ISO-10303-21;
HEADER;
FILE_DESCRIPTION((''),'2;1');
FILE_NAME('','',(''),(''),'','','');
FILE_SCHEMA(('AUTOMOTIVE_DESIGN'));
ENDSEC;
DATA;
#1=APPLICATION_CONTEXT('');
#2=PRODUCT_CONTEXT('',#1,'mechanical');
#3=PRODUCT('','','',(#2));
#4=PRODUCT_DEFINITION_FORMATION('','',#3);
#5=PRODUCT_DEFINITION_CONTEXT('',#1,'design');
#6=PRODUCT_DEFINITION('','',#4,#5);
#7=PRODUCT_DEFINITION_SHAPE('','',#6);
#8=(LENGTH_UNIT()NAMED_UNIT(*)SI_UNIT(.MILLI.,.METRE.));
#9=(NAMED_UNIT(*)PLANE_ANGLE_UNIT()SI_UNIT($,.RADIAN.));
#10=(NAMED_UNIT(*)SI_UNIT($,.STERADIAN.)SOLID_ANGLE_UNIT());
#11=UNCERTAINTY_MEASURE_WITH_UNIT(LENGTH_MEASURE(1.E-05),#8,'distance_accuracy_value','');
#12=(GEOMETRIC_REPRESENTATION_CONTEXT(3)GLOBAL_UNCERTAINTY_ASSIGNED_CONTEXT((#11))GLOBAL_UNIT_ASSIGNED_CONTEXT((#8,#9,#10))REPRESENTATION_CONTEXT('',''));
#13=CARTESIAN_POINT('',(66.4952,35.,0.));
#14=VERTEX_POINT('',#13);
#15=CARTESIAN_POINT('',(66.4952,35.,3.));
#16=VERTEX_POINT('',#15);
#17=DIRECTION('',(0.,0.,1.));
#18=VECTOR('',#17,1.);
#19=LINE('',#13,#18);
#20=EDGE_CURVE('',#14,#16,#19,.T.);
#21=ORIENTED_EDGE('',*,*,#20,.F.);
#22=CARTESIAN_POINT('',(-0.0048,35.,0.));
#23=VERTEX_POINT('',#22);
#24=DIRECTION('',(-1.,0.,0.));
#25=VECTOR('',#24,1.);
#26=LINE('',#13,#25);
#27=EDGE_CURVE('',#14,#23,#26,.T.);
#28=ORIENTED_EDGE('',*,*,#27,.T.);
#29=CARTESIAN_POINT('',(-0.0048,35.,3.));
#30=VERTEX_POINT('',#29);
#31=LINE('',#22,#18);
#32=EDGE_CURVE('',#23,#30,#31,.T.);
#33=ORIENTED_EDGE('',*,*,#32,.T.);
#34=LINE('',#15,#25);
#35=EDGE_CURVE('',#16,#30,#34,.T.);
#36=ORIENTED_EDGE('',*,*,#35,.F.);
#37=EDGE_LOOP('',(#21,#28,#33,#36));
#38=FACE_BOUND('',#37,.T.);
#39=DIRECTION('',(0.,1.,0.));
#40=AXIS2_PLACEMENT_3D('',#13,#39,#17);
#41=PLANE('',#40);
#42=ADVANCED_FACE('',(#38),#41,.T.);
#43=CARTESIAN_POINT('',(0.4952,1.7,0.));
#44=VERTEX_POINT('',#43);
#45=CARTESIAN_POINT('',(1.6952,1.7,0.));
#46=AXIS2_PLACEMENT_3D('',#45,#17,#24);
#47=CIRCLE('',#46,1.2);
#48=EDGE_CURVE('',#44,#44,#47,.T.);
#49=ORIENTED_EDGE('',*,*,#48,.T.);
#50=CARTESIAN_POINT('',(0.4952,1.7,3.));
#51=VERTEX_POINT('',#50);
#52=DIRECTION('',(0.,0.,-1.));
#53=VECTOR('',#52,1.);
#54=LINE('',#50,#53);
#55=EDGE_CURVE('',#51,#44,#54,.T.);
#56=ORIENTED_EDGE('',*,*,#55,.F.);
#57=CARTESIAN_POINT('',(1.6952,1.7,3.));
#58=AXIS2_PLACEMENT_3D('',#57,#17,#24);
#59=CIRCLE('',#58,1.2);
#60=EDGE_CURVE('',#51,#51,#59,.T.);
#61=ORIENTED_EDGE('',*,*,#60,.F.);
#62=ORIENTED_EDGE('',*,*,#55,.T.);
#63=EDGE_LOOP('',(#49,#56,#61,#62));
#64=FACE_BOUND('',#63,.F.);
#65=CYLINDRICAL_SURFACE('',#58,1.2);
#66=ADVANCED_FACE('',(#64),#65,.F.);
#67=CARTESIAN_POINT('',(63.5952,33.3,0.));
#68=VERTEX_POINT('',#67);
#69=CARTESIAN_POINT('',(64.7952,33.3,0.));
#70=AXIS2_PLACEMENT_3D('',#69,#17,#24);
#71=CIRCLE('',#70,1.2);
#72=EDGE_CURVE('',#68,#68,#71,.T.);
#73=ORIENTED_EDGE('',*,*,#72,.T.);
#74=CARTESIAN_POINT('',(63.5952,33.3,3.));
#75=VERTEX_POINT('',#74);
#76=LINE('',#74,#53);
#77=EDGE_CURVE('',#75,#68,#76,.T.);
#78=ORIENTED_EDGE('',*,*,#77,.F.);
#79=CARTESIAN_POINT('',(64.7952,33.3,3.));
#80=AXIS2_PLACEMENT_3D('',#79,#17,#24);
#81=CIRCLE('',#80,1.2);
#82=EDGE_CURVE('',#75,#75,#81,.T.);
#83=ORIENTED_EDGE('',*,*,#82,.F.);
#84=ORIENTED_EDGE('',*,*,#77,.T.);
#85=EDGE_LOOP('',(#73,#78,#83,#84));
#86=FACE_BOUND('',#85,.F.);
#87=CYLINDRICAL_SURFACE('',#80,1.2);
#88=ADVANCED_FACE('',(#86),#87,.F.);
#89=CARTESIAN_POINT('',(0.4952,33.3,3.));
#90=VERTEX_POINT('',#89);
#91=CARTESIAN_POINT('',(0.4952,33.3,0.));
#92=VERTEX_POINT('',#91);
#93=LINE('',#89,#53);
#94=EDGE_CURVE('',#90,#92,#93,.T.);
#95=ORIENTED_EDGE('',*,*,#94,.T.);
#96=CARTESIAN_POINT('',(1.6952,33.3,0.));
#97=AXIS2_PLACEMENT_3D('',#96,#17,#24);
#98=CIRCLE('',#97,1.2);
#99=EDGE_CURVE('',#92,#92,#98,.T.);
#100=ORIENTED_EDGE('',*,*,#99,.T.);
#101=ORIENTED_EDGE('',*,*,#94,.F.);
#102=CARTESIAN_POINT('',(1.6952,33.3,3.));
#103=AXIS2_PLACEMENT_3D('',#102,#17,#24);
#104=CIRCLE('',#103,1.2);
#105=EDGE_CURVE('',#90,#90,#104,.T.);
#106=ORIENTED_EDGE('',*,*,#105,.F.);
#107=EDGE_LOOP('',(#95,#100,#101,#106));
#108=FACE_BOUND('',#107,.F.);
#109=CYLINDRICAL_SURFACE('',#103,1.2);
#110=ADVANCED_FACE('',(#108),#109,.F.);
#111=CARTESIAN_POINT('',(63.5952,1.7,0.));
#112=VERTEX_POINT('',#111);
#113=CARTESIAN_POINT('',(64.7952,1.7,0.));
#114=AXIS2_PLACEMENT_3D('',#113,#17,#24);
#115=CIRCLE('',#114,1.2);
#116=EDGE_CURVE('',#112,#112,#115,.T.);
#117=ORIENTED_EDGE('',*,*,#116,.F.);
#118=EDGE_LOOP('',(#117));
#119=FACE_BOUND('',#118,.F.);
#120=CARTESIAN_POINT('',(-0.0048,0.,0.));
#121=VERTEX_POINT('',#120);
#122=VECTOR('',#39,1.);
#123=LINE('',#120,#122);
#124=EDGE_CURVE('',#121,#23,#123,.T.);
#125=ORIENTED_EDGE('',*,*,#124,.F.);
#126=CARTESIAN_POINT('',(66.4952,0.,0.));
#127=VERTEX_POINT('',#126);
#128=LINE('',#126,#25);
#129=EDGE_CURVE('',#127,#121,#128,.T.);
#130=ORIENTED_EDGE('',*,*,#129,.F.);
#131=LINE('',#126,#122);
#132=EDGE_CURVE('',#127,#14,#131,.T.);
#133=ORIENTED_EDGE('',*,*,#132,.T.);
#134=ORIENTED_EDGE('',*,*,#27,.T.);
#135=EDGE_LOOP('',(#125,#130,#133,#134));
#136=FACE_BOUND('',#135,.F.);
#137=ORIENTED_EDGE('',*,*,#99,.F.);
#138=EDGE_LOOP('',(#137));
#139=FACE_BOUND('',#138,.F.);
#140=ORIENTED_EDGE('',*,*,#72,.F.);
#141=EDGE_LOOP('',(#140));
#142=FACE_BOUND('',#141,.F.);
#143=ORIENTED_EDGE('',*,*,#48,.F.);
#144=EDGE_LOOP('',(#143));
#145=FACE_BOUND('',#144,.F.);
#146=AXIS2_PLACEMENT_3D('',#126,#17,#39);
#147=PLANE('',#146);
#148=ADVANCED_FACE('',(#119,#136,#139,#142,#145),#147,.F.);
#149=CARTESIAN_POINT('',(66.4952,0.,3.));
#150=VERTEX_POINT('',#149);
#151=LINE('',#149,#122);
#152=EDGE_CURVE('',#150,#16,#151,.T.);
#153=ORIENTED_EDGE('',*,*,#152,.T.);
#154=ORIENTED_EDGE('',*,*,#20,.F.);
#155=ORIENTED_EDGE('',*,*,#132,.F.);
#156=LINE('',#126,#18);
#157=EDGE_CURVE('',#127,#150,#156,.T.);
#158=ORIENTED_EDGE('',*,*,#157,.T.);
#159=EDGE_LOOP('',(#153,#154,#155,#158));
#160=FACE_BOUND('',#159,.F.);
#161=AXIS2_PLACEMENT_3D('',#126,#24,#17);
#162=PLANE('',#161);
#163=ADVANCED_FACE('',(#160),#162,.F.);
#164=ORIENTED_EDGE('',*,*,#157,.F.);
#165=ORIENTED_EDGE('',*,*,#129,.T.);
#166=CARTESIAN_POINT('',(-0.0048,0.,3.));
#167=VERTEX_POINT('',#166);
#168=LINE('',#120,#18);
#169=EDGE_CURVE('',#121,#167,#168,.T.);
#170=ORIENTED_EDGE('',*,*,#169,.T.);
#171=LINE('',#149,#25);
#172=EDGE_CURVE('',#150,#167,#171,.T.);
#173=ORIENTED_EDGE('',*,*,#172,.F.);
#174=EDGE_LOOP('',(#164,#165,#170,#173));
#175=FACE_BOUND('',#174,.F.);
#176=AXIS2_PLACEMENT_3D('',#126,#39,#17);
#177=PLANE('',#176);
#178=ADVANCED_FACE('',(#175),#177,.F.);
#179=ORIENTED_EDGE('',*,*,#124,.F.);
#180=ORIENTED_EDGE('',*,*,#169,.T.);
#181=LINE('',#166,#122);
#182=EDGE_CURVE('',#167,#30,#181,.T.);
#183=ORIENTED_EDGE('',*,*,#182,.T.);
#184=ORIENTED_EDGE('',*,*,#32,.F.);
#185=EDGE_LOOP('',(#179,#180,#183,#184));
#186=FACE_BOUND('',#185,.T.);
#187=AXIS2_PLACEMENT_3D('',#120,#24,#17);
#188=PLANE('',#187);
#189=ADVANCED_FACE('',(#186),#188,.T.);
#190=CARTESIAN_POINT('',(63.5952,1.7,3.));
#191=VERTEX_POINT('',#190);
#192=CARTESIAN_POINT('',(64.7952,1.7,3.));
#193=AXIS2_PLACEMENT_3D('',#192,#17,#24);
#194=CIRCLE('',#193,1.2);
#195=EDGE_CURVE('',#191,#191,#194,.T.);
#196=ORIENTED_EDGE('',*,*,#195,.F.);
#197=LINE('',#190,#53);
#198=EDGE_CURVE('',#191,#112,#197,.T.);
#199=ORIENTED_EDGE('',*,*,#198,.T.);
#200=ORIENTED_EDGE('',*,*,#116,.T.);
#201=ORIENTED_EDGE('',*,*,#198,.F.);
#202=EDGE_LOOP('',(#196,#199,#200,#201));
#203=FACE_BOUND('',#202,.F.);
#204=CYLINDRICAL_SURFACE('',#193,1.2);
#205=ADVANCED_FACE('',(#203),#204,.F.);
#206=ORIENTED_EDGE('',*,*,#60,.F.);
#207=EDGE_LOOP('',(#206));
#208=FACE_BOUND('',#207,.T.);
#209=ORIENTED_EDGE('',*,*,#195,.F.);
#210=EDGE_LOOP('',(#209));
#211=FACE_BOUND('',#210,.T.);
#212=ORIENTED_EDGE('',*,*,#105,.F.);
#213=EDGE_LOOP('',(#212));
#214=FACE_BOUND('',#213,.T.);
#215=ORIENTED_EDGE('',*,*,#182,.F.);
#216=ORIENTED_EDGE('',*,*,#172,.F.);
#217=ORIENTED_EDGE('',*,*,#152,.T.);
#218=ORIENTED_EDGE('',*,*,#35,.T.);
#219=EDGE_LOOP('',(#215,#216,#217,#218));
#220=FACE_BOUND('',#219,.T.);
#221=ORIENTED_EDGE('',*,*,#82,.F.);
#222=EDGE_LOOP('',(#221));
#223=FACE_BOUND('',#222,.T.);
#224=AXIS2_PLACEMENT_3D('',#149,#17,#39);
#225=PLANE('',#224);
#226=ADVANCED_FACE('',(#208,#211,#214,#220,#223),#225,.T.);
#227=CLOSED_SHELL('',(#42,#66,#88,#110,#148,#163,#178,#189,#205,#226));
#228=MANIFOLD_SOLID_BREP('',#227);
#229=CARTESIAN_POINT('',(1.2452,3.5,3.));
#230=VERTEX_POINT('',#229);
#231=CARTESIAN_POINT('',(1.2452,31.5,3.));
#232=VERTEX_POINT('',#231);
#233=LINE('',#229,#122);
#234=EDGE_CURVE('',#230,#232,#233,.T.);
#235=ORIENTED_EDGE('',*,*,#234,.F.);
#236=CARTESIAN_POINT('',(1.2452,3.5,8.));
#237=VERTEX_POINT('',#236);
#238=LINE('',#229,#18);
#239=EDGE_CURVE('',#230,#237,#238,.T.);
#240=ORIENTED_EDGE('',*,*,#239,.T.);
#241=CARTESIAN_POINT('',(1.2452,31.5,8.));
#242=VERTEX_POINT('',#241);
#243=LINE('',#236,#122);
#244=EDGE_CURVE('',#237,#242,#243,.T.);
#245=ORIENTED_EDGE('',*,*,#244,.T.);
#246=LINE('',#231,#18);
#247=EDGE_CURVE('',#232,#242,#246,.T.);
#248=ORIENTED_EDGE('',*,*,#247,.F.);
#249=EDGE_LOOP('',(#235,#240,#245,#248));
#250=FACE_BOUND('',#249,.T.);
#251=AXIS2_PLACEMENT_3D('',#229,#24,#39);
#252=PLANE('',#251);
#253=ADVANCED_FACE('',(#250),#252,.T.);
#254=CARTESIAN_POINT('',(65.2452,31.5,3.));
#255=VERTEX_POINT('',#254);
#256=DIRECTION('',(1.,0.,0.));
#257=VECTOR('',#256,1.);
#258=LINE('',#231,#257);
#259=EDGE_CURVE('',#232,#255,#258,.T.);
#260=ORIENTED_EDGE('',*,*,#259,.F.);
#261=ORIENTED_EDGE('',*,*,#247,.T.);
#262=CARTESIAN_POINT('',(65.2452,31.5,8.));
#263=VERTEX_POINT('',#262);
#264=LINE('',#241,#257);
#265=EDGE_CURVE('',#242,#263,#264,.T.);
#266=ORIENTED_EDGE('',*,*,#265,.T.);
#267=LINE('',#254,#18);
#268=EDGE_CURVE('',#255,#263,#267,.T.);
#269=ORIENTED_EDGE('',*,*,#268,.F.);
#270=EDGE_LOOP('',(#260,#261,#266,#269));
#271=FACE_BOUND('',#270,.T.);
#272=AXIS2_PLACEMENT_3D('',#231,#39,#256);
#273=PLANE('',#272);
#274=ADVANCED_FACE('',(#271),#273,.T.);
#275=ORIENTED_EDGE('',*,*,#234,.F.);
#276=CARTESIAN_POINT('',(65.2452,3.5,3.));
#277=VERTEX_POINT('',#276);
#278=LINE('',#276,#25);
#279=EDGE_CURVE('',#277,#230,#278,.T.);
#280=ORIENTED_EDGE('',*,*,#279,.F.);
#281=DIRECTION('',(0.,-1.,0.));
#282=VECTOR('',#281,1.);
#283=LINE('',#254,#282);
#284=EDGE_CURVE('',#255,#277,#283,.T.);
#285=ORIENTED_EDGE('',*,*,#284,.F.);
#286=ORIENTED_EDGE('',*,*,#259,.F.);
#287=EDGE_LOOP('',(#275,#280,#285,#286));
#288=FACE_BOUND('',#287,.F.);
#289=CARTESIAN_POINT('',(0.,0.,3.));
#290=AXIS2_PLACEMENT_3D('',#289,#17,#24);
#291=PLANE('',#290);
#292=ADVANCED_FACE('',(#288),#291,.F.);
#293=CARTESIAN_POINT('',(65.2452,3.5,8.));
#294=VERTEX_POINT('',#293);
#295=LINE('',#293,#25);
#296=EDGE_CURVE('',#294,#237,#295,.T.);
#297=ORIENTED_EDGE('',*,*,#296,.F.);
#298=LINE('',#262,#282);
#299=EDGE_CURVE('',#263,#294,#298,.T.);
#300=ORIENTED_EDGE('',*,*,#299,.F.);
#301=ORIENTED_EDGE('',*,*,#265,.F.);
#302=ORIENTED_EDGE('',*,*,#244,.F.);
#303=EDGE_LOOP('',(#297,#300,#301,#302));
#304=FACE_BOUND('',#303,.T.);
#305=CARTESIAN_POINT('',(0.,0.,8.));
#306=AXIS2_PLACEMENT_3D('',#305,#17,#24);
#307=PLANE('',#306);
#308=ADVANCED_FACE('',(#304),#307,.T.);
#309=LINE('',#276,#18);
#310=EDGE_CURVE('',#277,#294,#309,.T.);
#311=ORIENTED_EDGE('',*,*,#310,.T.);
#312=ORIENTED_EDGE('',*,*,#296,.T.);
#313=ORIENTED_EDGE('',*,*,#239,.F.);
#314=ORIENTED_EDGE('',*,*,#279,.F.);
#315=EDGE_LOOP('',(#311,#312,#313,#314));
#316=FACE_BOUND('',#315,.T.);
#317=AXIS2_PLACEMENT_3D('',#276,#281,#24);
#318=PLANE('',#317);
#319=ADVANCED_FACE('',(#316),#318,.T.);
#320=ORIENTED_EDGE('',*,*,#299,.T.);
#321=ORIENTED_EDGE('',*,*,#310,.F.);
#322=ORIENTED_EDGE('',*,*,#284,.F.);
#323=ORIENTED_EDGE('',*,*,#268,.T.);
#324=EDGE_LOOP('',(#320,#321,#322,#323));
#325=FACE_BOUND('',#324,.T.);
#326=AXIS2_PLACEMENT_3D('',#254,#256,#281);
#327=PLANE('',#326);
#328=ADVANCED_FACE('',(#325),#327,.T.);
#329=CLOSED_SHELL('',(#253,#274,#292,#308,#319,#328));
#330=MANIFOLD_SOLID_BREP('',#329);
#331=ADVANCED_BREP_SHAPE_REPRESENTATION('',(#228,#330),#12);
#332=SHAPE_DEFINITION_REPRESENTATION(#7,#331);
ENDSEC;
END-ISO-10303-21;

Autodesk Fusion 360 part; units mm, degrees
box "BoxPrimitive1" add length 35 width 66.5 height 3 placed x (0, 1, 0) y (-1, 0, 0) z (0, 0, 1) at (66.4952, 0, 0) makes body 1
sketch "Sketch3" plane through (0, 0, 3) normal (0, 0, 1) x (-1, 0, 0)
  line L0 (-66.4952, -35) -> (0.0048, -35)
  line L1 (0.0048, -35) -> (0.0048, 0)
  line L2 (0.0048, 0) -> (-66.4952, 0)
  line L3 (-66.4952, 0) -> (-66.4952, -35)
  line L4 (0.0048, 0) -> (-66.4952, -35) construction
  line L5 (0.0048, -35) -> (-66.4952, 0) construction
  circle A0 centre (-1.6952, -33.3) radius 1.2
  line L6 (-33.2452, -17.5) -> (0.0048, -17.5) construction
  line L7 (-33.2452, -17.5) -> (-33.2452, -35) construction
  circle A1 centre (-1.6952, -1.7) radius 1.2
  circle A2 centre (-64.7952, -33.3) radius 1.2
  circle A3 centre (-64.7952, -1.7) radius 1.2
  line L8 (-65.2452, -3.5) -> (-1.2452, -3.5)
  line L9 (-1.2452, -3.5) -> (-1.2452, -31.5)
  line L10 (-1.2452, -31.5) -> (-65.2452, -31.5)
  line L11 (-65.2452, -31.5) -> (-65.2452, -3.5)
  line L12 (-65.2452, -3.5) -> (-1.2452, -31.5) construction
  line L13 (-1.2452, -3.5) -> (-65.2452, -31.5) construction
  point P0 (-33.2452, -17.5)
  dimension "d6" = 2.4
  dimension "d7" = 1.7
  dimension "d8" = 1.7
  dimension "d13" = 64
  dimension "d14" = 28
extrude "Extrude1" cut sketch "Sketch3" against normal through all contours A0 | A1 | A2 | A3 bodies 1
extrude "Extrude2" add sketch "Sketch3" along normal blind 5 separate body contours L8 L9 L10 L11 makes body 2
